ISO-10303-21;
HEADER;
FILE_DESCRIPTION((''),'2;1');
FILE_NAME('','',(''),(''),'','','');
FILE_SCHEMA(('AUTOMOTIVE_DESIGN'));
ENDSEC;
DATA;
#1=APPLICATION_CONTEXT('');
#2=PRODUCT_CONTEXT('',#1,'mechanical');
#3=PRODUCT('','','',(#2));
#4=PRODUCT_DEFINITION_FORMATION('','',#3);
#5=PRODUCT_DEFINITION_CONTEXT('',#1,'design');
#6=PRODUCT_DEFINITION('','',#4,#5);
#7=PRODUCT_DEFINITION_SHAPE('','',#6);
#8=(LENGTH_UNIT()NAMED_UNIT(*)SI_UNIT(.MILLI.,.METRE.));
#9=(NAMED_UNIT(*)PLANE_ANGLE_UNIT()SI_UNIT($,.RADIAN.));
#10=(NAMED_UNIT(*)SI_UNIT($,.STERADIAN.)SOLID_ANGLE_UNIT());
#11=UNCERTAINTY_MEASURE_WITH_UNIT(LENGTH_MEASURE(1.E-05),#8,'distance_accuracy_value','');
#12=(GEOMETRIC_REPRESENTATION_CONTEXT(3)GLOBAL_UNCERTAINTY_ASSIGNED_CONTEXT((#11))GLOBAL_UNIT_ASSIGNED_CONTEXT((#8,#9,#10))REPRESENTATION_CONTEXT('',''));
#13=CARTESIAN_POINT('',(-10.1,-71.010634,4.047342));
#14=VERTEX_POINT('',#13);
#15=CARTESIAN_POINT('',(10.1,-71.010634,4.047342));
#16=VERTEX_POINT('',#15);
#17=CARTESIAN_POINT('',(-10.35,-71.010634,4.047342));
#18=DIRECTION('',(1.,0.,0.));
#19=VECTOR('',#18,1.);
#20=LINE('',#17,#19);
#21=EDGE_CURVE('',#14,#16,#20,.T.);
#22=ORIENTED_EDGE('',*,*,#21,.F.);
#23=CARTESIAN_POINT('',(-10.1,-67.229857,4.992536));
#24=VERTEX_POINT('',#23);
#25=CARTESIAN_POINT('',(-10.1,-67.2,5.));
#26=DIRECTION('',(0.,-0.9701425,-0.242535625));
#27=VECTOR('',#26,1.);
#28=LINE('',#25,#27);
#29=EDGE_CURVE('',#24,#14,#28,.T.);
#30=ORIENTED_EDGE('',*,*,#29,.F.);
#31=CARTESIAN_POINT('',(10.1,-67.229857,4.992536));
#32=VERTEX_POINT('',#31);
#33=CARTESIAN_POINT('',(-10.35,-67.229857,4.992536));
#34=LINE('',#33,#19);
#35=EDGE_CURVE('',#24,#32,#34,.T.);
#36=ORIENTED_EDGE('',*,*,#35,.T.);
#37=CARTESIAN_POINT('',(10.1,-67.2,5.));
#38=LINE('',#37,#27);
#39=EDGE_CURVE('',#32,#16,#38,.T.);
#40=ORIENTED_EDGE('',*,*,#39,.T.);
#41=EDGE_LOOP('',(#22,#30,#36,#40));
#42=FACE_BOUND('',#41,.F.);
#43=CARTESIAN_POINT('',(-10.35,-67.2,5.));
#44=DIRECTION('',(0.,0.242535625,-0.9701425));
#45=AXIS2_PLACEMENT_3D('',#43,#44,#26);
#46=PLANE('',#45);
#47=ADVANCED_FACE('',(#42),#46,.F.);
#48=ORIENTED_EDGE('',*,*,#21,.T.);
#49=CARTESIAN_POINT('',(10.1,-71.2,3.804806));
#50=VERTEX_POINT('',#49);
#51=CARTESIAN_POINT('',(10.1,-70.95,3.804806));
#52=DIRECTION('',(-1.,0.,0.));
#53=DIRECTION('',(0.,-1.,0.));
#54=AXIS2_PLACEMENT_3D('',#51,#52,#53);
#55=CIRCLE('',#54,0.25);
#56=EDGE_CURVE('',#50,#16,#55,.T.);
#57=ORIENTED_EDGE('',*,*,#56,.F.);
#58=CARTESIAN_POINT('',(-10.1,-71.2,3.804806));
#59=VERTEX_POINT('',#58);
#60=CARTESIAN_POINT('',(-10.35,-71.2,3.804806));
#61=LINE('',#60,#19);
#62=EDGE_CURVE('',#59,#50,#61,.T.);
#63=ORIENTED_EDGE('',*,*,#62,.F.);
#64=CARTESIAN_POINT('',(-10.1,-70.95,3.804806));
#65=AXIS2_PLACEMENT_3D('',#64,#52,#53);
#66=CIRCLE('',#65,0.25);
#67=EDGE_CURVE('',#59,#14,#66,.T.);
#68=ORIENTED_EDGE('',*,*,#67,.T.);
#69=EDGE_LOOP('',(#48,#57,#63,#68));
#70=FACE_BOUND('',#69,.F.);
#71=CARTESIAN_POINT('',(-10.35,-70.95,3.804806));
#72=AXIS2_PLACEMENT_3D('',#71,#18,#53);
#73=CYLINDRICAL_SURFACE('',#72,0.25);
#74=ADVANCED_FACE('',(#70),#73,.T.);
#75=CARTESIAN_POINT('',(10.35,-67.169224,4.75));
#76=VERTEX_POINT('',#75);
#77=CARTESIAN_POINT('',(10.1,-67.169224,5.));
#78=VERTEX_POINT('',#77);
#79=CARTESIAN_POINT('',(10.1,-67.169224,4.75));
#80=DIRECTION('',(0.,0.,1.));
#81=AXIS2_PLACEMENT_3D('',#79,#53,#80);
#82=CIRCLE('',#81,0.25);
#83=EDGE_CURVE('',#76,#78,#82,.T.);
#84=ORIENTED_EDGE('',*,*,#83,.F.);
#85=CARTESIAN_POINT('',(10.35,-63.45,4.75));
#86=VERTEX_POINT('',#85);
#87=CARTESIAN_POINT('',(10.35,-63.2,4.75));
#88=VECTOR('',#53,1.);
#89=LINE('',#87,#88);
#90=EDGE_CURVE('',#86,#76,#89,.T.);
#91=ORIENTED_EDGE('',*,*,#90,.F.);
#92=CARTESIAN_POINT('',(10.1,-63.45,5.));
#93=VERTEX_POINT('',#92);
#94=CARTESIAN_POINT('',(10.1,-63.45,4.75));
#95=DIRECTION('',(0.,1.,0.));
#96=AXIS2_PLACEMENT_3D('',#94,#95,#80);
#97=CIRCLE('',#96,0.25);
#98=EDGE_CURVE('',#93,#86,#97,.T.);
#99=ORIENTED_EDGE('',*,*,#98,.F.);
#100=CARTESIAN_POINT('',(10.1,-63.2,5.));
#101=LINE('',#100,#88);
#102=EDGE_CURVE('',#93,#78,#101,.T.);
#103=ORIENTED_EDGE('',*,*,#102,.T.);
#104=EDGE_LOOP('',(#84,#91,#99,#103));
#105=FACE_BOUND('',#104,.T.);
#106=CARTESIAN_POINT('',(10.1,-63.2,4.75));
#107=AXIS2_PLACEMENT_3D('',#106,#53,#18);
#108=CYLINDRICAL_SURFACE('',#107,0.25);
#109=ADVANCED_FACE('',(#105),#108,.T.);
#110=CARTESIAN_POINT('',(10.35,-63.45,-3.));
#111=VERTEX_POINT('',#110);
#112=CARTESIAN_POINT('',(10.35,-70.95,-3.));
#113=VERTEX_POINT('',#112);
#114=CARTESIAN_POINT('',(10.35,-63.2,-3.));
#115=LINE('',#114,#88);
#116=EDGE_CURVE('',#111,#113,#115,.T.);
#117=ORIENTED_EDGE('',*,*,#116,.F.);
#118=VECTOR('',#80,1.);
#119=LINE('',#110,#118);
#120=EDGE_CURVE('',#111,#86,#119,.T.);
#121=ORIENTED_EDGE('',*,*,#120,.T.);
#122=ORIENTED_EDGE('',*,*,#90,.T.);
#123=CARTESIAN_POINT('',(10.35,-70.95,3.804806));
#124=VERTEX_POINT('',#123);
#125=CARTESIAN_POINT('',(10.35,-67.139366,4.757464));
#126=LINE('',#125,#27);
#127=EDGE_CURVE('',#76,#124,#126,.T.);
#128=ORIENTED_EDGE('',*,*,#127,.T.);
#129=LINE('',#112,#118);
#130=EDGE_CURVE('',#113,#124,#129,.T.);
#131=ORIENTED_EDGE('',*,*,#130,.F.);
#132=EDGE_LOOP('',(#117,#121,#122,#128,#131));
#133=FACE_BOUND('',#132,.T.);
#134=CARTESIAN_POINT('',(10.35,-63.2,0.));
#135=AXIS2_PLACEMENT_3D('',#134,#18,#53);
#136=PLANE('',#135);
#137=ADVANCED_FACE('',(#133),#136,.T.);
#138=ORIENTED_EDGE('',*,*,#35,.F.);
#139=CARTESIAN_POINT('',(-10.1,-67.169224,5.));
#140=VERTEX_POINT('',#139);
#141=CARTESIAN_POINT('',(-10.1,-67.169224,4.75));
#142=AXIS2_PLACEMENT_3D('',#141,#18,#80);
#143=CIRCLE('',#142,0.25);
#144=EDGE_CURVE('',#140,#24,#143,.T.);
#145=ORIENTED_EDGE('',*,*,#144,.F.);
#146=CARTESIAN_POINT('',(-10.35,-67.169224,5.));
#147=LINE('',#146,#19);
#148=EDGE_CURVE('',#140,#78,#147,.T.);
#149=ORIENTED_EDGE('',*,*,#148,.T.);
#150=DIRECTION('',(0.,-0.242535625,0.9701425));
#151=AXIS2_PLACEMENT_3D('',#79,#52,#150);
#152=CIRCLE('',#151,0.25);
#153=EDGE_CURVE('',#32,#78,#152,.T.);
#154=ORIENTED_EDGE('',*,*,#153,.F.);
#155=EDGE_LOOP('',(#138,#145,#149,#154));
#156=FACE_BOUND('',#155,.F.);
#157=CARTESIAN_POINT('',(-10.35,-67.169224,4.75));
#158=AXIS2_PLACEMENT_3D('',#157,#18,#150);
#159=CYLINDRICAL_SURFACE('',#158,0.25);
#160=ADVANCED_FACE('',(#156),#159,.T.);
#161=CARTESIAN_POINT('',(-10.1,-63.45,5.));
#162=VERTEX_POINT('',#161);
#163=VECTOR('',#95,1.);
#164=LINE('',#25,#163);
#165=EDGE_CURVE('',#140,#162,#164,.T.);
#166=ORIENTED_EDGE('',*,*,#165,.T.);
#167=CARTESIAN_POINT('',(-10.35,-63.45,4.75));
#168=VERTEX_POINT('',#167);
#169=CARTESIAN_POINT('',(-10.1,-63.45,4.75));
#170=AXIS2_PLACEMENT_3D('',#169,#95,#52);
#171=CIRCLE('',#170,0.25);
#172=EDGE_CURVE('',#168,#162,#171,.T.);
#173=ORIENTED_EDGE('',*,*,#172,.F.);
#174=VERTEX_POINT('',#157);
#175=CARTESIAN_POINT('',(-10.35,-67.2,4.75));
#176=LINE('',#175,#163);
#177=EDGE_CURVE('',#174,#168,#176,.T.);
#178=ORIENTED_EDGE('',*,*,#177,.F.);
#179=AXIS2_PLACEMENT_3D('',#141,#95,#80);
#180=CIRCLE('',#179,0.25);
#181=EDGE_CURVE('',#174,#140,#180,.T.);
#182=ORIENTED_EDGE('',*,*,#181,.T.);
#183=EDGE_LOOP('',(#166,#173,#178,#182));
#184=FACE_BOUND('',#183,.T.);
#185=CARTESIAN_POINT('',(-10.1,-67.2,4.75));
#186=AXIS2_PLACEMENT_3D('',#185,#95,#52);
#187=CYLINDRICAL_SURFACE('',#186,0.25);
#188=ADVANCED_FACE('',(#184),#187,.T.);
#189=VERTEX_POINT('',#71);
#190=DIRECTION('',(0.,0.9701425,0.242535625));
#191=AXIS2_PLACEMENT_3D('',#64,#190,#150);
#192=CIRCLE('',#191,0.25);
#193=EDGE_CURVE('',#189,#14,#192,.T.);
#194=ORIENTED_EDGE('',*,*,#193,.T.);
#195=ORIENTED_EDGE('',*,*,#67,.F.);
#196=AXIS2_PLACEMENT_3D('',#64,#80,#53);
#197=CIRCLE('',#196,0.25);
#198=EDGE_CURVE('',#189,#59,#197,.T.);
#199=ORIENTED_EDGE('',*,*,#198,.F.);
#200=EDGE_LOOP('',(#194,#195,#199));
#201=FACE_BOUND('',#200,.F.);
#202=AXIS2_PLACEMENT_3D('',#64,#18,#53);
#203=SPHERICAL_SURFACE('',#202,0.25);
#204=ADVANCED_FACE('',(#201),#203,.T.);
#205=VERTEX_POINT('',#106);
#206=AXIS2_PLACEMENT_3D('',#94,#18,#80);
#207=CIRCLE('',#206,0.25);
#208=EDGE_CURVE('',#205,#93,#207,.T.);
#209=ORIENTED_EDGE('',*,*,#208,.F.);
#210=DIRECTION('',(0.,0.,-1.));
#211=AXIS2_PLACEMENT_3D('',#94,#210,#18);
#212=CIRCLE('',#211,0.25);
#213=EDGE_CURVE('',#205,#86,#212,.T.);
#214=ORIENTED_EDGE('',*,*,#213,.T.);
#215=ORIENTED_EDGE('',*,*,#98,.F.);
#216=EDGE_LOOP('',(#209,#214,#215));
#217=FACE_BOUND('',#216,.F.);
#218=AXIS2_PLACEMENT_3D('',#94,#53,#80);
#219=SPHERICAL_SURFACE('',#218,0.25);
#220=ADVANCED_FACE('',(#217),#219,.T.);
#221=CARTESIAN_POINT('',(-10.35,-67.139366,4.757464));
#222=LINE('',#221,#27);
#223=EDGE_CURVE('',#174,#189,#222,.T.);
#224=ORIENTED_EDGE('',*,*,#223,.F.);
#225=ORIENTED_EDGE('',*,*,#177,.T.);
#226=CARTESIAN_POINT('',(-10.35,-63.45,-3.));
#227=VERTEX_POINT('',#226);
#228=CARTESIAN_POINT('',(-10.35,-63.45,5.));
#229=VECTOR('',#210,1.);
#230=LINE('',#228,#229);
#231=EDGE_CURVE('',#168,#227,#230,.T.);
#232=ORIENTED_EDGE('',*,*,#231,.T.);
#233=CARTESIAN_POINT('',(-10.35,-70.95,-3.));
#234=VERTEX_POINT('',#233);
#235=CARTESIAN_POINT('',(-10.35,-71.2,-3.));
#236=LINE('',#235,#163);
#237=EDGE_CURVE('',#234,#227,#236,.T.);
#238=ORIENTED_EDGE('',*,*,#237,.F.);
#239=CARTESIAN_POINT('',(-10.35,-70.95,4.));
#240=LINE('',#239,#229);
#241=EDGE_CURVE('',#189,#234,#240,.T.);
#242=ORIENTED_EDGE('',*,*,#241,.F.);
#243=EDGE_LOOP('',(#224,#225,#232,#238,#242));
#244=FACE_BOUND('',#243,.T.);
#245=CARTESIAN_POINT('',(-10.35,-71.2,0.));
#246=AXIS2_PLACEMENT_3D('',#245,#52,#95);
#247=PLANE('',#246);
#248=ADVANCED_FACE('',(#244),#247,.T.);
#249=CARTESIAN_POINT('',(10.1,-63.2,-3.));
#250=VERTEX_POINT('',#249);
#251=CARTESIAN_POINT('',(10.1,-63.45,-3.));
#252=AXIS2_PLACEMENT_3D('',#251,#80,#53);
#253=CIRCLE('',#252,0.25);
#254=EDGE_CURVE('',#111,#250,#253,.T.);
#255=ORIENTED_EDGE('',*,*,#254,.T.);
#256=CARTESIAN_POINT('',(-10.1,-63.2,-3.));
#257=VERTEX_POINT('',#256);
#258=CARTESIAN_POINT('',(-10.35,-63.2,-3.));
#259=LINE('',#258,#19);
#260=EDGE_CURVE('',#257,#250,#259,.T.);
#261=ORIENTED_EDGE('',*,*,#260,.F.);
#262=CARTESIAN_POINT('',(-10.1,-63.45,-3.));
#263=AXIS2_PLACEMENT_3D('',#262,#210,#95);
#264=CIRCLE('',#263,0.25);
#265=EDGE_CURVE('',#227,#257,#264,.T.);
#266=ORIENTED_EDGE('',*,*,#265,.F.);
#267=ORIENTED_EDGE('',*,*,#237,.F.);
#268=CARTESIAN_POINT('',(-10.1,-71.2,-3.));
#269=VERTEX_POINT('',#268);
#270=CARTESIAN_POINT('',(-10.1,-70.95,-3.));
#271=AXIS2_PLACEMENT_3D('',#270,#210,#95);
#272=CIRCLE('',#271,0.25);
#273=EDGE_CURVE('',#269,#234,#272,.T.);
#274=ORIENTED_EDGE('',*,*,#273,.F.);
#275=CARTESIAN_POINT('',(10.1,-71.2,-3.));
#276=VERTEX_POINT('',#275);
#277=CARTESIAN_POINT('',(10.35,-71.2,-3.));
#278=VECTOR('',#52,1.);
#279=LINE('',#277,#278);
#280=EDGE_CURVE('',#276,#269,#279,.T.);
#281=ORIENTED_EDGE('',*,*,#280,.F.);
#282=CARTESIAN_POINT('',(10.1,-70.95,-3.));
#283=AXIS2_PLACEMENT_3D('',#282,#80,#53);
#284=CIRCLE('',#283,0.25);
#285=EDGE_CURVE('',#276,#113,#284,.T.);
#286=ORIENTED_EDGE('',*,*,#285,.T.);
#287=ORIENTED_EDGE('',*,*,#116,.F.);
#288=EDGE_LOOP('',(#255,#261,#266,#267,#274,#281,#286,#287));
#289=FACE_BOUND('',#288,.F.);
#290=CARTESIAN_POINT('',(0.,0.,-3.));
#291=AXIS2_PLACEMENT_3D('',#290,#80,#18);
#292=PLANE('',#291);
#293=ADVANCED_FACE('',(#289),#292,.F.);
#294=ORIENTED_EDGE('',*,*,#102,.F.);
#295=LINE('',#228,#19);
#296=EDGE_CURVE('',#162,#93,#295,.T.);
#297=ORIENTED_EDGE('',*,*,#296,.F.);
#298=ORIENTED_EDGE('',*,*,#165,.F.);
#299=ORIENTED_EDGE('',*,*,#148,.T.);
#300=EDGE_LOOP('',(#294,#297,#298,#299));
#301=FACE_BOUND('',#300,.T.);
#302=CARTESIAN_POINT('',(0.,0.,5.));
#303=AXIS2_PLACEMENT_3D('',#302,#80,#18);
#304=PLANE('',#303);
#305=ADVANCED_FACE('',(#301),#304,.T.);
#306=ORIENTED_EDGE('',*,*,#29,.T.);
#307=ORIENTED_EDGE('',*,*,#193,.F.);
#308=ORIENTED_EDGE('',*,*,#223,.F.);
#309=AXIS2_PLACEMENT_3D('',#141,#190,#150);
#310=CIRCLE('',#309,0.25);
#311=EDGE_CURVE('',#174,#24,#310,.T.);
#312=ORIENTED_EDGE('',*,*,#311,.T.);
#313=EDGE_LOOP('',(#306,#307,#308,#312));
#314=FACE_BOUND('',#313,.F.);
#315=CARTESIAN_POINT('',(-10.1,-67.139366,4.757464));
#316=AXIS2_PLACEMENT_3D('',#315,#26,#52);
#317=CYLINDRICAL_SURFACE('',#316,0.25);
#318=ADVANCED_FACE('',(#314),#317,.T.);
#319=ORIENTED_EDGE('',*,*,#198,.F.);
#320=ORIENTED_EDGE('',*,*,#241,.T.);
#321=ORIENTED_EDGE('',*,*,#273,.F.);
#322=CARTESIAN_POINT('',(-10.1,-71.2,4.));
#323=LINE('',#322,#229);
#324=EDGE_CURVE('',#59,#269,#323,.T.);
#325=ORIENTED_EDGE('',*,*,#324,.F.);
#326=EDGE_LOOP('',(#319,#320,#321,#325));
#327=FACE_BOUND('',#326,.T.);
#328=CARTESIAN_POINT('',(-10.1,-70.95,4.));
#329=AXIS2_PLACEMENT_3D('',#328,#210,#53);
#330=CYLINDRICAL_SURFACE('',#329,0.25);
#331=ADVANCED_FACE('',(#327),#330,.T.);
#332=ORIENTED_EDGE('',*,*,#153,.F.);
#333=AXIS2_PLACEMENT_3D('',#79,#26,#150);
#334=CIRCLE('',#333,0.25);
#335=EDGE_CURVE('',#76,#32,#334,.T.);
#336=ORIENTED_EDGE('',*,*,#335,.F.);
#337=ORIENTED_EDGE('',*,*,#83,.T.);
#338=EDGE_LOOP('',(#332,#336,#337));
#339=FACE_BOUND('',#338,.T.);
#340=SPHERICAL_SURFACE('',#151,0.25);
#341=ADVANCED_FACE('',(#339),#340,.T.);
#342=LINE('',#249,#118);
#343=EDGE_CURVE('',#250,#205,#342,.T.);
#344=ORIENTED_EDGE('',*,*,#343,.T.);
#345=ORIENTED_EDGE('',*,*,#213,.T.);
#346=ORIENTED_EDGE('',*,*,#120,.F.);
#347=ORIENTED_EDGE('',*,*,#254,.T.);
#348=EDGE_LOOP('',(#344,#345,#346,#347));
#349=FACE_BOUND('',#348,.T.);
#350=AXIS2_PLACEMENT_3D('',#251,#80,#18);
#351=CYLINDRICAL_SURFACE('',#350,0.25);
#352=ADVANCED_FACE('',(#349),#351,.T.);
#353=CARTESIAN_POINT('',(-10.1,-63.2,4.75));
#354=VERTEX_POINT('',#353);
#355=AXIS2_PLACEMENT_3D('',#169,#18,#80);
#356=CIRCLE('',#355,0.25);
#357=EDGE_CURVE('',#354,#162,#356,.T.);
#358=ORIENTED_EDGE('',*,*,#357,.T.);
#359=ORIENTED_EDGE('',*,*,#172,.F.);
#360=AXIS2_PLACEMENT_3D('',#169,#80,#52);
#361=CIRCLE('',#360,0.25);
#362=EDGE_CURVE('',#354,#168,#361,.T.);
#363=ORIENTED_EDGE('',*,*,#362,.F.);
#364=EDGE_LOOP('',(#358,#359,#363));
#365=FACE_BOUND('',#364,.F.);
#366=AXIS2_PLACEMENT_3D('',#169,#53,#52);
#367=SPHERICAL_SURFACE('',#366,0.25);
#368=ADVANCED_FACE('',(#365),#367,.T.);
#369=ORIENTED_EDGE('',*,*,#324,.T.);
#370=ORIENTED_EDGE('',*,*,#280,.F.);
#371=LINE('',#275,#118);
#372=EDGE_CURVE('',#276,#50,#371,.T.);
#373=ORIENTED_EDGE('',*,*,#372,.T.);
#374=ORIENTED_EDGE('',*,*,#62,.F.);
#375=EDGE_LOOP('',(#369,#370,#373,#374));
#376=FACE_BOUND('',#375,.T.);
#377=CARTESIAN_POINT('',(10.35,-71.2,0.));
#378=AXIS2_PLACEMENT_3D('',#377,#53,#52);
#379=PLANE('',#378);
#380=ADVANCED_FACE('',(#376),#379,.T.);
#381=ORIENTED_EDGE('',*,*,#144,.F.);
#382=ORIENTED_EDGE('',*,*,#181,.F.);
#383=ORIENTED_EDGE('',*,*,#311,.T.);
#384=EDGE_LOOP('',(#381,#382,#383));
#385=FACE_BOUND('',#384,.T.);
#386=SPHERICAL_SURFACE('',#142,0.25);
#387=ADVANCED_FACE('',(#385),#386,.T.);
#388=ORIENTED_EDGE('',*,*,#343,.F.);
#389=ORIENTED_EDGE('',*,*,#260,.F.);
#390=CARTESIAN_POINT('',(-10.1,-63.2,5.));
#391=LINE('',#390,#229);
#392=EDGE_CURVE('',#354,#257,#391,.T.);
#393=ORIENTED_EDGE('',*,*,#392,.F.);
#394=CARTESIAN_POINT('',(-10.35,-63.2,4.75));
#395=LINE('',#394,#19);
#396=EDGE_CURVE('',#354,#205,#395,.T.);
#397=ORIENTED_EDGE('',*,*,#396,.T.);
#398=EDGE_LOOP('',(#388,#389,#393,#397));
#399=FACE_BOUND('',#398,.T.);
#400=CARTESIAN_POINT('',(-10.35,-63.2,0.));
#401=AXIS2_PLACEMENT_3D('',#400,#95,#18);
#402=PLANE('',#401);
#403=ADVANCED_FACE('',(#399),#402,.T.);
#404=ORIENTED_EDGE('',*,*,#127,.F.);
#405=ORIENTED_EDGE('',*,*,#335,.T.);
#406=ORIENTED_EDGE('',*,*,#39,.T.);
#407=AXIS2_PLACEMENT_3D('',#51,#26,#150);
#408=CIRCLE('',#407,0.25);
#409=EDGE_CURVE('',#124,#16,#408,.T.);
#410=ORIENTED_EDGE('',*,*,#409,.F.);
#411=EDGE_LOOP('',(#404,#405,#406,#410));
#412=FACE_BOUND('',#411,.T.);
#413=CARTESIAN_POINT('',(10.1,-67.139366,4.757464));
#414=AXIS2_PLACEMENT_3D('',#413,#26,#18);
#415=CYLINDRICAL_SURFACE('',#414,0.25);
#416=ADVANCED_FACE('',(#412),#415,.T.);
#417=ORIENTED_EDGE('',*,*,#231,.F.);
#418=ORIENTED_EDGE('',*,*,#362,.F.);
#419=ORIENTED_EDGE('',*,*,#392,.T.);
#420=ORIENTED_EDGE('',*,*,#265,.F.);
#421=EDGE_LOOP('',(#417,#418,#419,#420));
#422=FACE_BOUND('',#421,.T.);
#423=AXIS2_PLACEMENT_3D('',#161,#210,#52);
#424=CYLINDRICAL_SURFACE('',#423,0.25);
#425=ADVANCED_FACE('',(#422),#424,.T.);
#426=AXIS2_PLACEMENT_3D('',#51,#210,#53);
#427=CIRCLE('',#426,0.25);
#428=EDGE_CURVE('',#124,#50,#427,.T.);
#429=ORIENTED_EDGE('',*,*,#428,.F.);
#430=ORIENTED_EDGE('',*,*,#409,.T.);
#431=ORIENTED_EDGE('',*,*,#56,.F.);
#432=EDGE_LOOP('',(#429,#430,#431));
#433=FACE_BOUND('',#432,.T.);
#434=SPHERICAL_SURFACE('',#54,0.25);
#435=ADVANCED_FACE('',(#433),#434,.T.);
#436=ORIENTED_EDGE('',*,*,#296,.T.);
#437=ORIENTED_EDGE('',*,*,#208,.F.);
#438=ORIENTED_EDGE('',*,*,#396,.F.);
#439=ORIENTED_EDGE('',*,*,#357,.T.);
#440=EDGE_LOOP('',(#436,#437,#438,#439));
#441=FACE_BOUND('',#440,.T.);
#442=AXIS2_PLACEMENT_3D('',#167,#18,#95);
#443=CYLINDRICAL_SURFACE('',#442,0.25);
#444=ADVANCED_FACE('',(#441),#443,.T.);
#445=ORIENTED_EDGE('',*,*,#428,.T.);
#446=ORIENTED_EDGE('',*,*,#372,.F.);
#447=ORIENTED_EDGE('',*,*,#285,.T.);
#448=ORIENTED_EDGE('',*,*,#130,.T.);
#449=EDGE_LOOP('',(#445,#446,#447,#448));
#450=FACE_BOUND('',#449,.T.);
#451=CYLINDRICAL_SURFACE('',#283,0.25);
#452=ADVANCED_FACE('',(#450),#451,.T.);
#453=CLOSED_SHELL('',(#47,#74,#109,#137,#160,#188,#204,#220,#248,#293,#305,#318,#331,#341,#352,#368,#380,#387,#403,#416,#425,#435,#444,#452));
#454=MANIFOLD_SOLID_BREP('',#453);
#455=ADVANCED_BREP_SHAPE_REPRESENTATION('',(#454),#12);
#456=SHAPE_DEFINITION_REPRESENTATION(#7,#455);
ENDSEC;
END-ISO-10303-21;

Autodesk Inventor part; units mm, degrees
ref_plane "YZ Plane" through (0, 0, 0) normal (1, 0, 0) x (0, 1, 0)
ref_plane "XZ Plane" through (0, 0, 0) normal (0, 1, 0) x (-1, 0, 0)
ref_plane "XY Plane" through (0, 0, 0) normal (0, 0, 1) x (1, 0, 0)
sketch "Szkic1" plane through (0, 0, 0) normal (0, 0, 1) x (1, 0, 0)
  line L0 (10.35, -71.2) -> (-10.35, -71.2)
  line L1 (-10.35, -71.2) -> (-10.35, -63.2)
  line L2 (-10.35, -63.2) -> (10.35, -63.2)
  line L3 (10.35, -63.2) -> (10.35, -71.2)
extrude "Wyciągnięcie proste1" add sketch "Szkic1" along normal blind 5 and the other way blind 3
sketch "Szkic2" plane through (-10.35, -71.2, 5) normal (-1, 0, 0) x (0, 0, 1)
  line L0 (0, 0) -> (0, 4)
  line L1 (0, 4) -> (-1, 0)
  line L2 (0, 0) -> (-1, 0)
  point P0 (-5, 71.2)
extrude "Wyciągnięcie proste2" cut sketch "Szkic2" against normal up to next
fillet "Zaokrąglenie1" radius 0.25 11 edges at (-10.35, -65.2, 5) (-10.35, -69.2, 4.5) (10.35, -69.2, 4.5) (10.35, -65.2, 5) (0, -67.2, 5) (0, -71.2, 4) (-10.35, -71.2, 0.5) (10.35, -71.2, 0.5) (-10.35, -63.2, 1) (0, -63.2, 5) (10.35, -63.2, 1)
properties part number "SPUST" material "Tworzywo sztuczne, nieprzezroczyste czarne"
